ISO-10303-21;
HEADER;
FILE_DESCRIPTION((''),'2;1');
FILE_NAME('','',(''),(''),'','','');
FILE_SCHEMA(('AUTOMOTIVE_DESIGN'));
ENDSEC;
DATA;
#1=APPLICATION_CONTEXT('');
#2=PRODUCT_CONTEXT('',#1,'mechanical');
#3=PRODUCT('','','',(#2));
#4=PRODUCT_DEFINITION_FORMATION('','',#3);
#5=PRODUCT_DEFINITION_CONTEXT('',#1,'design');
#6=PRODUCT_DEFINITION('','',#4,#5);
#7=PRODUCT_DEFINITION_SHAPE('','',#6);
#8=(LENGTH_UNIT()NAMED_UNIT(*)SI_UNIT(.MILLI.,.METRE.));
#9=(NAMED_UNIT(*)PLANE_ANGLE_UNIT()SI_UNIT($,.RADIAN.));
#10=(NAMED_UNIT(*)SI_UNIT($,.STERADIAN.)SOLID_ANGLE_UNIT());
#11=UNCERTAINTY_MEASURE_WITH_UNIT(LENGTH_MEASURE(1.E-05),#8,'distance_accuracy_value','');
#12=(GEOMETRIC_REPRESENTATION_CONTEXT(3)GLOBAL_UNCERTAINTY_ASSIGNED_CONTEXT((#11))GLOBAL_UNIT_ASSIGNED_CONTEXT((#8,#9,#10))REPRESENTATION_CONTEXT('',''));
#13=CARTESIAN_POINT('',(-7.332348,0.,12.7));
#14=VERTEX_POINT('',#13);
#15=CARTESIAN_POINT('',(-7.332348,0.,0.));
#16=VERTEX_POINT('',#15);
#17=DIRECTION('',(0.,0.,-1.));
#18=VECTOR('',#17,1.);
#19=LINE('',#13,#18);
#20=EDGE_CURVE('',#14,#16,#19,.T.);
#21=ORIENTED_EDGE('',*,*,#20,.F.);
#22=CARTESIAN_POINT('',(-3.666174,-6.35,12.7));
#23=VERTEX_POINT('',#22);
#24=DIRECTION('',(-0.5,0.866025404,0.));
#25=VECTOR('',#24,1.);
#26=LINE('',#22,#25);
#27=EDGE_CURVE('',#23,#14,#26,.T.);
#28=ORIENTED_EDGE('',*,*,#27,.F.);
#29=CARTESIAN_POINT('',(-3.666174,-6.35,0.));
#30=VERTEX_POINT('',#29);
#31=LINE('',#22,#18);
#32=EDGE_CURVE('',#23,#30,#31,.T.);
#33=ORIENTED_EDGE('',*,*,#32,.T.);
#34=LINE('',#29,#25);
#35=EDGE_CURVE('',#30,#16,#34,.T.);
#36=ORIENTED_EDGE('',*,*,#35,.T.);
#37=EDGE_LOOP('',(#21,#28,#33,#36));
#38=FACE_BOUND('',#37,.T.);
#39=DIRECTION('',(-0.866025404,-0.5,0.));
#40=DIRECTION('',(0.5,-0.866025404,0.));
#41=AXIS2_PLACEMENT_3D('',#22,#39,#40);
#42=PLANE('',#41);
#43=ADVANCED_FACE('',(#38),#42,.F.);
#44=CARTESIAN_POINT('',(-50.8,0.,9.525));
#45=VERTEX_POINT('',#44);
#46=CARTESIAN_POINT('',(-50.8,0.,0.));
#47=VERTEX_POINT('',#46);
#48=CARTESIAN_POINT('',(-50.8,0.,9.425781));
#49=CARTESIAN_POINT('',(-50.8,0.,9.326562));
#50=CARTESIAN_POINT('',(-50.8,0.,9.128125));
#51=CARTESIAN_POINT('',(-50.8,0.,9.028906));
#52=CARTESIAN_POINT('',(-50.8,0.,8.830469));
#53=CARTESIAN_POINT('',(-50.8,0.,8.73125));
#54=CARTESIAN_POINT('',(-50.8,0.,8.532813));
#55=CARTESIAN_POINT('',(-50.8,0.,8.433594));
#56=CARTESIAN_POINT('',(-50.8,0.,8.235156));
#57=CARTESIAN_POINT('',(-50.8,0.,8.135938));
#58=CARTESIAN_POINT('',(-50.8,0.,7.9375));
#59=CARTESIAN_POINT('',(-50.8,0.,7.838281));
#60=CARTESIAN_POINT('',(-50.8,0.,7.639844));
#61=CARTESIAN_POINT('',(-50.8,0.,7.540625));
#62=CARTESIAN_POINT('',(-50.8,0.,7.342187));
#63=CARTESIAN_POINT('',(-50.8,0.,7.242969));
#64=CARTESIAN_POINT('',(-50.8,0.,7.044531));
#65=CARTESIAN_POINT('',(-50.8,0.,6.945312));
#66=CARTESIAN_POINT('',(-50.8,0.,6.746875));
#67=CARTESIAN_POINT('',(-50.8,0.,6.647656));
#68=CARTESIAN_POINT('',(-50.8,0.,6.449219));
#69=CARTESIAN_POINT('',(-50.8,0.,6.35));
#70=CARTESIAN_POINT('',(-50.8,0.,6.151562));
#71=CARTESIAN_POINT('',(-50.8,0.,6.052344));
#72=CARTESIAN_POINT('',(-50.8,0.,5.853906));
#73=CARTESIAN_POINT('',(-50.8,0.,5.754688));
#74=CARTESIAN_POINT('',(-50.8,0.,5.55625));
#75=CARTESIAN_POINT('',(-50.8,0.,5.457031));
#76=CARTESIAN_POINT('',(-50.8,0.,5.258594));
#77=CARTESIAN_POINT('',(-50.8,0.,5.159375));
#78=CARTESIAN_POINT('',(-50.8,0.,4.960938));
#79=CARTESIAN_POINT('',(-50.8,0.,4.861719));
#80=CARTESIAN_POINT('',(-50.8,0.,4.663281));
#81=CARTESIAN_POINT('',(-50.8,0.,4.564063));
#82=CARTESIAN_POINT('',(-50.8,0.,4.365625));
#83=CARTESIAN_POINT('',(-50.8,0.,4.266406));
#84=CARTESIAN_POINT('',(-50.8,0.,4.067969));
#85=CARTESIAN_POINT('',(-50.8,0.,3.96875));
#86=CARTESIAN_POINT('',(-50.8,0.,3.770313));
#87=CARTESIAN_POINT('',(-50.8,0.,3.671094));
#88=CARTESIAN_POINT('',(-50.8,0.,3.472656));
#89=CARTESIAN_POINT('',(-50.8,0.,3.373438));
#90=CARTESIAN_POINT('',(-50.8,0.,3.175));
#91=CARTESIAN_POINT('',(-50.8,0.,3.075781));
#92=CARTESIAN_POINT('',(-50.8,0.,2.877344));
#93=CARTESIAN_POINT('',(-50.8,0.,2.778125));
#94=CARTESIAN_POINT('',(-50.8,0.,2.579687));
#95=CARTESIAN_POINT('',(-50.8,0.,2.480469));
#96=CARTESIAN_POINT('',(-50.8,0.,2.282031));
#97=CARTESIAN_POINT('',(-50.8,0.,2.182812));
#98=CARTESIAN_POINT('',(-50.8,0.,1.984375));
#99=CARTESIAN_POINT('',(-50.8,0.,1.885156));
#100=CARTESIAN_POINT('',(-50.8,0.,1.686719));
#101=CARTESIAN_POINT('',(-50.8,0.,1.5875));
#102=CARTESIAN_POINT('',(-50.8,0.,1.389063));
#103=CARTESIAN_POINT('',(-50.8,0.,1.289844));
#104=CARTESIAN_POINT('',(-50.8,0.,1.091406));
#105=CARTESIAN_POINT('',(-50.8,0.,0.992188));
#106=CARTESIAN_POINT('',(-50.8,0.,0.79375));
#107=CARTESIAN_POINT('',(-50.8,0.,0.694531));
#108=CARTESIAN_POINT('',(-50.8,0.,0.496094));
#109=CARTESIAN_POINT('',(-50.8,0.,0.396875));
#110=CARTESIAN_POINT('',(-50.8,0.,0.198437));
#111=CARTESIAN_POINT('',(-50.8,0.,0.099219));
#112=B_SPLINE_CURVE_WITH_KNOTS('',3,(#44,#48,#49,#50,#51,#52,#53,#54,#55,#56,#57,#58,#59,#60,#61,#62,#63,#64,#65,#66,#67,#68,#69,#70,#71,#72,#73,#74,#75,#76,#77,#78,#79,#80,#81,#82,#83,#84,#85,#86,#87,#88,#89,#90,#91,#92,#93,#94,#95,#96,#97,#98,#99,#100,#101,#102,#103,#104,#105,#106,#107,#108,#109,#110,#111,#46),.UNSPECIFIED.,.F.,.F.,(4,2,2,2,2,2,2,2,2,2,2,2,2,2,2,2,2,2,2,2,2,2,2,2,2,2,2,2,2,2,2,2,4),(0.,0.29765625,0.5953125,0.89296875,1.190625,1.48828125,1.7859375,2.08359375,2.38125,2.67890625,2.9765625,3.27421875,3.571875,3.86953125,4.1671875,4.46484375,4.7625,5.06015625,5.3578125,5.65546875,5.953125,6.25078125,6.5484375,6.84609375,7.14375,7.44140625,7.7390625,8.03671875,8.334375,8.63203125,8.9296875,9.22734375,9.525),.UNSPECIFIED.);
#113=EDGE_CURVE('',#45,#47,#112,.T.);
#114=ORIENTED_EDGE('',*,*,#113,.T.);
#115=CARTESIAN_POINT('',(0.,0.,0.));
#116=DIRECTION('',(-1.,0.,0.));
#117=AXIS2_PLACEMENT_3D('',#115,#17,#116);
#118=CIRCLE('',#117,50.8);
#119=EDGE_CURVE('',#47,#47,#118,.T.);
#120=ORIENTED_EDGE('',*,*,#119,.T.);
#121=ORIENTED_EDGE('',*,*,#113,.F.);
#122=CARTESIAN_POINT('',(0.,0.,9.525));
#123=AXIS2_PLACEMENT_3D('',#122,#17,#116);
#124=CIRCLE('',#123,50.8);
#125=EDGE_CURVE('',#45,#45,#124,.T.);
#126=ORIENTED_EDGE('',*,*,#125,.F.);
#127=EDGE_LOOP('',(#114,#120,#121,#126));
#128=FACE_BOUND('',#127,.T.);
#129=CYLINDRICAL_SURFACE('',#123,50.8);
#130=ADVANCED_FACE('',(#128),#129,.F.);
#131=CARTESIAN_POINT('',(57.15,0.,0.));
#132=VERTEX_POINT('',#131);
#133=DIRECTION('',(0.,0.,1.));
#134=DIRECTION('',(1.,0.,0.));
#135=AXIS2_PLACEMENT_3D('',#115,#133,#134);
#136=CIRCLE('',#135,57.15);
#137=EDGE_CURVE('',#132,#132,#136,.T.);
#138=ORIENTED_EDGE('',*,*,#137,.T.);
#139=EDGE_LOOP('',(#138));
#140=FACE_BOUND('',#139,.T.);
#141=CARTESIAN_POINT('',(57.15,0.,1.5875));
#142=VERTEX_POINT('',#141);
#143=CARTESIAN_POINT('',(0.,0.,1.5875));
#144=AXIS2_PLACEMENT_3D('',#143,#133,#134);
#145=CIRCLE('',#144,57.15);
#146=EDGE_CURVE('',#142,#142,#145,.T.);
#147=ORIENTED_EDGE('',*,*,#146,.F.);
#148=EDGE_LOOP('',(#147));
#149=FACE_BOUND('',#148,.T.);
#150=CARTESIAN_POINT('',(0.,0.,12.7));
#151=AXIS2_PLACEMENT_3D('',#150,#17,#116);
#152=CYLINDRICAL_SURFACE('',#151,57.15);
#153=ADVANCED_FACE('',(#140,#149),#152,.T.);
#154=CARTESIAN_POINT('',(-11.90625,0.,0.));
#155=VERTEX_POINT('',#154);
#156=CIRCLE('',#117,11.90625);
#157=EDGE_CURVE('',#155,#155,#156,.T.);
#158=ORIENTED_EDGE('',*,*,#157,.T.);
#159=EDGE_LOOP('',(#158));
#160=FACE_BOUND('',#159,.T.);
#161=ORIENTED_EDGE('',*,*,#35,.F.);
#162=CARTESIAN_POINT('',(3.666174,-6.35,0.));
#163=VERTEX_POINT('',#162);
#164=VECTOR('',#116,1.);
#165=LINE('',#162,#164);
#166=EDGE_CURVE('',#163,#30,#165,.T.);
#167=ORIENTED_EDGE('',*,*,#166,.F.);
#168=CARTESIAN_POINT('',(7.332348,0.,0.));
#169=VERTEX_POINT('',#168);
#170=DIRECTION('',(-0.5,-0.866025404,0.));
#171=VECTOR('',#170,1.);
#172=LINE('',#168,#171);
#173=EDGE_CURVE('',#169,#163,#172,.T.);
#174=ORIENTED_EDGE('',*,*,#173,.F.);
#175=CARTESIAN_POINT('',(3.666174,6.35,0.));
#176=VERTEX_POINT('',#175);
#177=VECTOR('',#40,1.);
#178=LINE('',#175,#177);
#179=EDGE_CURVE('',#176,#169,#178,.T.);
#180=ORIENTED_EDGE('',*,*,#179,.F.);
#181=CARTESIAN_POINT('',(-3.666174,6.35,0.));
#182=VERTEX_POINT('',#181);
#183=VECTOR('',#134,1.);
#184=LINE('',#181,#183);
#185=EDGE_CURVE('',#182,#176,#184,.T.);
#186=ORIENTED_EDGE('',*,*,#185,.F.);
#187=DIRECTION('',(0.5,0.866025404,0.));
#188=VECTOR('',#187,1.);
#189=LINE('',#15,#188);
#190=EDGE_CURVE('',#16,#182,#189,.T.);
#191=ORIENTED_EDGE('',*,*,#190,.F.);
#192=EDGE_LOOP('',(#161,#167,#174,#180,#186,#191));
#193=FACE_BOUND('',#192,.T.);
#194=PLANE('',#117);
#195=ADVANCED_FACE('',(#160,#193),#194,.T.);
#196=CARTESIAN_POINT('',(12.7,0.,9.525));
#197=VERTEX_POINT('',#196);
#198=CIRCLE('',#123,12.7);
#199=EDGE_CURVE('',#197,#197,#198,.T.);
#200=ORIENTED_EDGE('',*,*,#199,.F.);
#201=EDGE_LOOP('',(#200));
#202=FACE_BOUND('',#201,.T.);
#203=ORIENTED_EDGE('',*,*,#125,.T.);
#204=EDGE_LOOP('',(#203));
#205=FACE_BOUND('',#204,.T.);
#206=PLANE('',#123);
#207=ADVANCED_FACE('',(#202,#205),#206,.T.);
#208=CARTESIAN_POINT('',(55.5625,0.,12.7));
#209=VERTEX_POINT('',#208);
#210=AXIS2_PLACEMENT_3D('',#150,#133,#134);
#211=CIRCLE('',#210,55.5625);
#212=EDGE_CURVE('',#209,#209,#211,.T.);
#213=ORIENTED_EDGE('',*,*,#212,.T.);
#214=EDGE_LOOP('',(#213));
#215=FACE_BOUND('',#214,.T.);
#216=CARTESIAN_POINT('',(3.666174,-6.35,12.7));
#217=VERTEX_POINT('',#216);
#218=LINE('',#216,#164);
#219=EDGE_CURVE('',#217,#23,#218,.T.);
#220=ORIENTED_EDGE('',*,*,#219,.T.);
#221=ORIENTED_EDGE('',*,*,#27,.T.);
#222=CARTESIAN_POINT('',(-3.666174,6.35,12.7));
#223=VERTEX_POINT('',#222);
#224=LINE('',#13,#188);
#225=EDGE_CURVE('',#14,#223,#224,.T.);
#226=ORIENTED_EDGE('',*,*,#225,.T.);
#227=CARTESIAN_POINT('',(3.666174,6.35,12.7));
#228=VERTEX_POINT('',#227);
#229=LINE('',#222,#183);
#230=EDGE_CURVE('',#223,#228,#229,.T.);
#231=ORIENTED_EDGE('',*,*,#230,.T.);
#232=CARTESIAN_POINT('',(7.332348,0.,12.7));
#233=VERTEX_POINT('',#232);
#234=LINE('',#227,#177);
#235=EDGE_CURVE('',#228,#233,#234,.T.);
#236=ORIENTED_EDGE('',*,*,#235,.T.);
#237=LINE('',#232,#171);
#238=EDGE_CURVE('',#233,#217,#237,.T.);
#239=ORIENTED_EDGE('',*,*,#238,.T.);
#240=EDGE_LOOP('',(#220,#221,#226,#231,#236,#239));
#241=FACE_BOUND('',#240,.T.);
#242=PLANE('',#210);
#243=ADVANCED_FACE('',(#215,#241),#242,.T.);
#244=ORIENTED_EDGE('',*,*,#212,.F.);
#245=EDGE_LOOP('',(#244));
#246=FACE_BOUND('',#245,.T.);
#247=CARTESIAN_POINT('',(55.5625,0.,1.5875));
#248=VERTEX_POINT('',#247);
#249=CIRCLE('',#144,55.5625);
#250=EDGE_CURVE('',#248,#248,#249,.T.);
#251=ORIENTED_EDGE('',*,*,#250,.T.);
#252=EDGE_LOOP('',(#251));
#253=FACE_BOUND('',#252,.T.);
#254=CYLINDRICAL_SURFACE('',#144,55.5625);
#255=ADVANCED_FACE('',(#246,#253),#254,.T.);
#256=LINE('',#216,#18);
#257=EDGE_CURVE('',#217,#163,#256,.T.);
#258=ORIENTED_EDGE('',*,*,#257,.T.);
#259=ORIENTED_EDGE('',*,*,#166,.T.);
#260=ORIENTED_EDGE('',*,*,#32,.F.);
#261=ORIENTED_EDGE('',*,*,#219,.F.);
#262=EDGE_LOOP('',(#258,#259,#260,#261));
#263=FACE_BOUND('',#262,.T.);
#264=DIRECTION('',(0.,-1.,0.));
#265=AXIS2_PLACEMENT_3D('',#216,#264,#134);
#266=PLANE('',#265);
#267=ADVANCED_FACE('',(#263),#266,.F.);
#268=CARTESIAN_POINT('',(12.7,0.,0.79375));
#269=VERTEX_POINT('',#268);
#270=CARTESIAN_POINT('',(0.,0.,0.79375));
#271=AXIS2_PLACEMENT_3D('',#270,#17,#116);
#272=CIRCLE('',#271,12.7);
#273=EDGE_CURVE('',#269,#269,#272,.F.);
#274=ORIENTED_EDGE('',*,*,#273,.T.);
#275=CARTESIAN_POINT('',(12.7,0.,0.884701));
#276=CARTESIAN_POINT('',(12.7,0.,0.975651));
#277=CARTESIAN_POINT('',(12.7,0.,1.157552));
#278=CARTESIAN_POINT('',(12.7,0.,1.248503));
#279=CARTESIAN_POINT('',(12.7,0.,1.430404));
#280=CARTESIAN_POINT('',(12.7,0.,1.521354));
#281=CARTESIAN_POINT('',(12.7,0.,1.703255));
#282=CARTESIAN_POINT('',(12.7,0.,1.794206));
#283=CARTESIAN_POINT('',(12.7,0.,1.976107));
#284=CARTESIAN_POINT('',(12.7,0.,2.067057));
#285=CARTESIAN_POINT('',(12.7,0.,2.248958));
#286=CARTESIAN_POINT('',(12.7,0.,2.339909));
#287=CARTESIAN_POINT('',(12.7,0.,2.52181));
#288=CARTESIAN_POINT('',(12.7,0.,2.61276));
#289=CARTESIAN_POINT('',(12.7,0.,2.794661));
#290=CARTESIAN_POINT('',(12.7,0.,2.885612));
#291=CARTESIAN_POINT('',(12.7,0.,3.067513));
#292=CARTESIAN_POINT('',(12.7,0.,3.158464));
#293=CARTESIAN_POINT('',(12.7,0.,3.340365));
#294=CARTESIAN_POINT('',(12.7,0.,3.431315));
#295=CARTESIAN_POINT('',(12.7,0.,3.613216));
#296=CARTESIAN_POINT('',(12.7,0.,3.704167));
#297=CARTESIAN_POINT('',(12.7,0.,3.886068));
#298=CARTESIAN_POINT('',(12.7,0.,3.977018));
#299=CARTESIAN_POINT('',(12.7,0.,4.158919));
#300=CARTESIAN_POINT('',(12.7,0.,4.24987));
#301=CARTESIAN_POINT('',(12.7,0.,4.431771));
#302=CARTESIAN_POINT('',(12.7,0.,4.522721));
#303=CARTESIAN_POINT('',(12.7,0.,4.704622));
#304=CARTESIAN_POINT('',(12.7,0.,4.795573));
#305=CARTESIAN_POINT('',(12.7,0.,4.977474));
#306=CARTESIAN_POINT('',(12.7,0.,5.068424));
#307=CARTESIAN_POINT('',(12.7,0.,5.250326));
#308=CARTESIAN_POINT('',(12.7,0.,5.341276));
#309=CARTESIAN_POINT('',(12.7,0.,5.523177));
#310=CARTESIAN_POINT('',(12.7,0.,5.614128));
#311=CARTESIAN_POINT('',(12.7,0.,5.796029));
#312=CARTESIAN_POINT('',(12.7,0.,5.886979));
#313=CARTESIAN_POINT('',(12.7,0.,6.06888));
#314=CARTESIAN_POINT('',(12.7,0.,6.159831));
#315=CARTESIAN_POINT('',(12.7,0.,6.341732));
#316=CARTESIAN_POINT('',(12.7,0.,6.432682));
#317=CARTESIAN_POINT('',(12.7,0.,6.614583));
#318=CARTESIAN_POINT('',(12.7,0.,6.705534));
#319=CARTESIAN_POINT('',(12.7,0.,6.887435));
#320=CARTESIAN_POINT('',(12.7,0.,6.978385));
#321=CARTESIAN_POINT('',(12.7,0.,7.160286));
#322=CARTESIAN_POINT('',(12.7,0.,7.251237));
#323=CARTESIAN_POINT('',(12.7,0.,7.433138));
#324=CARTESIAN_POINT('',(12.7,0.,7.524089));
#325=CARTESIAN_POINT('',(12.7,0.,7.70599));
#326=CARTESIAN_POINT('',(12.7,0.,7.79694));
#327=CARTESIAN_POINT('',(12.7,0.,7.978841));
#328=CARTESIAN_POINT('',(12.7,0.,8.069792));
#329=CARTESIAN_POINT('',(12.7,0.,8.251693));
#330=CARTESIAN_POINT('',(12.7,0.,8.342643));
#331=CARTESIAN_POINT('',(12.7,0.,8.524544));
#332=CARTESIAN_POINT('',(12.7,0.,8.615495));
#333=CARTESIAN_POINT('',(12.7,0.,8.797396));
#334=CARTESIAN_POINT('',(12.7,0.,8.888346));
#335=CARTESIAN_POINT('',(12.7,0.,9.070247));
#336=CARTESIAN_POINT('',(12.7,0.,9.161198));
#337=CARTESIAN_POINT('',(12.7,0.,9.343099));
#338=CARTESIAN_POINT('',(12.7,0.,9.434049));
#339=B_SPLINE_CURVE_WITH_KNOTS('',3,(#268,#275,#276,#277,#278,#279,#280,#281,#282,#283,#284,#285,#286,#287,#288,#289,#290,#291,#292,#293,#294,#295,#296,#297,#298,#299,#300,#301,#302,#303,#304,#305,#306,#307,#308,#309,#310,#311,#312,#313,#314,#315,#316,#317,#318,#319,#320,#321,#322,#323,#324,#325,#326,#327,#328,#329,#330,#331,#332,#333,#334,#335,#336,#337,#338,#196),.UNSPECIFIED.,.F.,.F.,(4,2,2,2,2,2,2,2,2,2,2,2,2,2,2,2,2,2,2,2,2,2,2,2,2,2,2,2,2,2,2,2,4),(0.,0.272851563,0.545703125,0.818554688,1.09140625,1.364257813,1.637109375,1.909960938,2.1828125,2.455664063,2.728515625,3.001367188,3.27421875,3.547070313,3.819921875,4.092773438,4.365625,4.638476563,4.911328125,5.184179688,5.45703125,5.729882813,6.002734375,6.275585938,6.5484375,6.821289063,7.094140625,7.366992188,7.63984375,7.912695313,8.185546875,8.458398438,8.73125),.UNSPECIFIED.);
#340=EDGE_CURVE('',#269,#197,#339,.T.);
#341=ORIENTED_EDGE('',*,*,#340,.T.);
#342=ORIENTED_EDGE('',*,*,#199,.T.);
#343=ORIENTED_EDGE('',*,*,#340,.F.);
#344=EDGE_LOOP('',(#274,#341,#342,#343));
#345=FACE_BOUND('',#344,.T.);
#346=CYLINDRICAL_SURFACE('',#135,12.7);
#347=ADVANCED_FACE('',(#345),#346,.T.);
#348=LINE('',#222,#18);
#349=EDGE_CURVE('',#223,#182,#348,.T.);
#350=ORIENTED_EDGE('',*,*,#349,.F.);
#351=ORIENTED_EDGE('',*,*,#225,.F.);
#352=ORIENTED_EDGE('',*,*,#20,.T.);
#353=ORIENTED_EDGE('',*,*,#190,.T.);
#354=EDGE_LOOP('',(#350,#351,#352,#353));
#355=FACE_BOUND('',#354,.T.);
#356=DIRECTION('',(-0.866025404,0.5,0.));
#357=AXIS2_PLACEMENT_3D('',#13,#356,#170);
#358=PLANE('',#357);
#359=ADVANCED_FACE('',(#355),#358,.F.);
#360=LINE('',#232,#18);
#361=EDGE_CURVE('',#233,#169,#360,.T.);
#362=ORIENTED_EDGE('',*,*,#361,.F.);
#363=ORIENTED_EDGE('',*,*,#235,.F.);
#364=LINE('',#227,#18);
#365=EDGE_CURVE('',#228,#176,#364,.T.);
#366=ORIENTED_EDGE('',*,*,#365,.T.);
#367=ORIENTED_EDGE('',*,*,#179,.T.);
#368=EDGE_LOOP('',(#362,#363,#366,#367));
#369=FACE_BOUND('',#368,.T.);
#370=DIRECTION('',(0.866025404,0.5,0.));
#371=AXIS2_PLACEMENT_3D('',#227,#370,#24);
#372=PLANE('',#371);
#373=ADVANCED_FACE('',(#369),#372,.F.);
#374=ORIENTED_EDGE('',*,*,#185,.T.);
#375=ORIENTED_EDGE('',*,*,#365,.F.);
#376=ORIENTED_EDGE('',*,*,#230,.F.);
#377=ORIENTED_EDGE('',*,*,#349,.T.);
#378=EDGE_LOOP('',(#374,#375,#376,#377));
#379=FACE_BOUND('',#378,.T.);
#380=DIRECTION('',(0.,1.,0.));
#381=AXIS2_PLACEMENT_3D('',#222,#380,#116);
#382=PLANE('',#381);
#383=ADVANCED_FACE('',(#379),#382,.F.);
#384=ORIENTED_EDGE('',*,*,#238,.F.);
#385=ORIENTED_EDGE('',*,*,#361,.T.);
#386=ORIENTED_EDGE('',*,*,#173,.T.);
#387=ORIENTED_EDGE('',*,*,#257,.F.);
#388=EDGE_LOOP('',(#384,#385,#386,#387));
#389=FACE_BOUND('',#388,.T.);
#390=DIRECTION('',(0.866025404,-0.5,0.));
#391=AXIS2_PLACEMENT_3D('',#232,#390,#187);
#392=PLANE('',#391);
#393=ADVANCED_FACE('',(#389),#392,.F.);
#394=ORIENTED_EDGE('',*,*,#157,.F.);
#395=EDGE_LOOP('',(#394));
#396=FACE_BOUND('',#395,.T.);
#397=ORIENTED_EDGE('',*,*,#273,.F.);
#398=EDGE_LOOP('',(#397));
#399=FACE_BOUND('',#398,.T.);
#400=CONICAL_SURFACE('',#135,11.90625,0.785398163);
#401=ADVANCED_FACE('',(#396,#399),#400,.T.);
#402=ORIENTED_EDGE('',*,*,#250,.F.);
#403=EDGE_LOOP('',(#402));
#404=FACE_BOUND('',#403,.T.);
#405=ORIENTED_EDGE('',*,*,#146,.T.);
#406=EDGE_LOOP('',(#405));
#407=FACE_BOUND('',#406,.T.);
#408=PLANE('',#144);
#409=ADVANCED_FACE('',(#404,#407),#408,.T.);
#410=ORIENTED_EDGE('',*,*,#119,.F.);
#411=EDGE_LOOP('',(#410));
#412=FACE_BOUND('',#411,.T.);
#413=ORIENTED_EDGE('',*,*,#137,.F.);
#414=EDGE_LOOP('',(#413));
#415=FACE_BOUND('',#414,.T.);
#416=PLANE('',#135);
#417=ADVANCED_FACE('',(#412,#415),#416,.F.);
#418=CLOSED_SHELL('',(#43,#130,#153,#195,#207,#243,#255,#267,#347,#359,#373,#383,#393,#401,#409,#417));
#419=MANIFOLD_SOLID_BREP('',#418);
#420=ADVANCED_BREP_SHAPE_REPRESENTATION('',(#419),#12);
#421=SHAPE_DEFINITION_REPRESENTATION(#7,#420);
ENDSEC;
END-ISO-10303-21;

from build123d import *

# Parameters (mm, degrees)
SKETCH1_R           = 57.15
BOSS_EXTRUDE1_DEPTH = 12.7
CUT_EXTRUDE1_START  = -11.1125
SKETCH2_R           = 57.15
SKETCH2_R_2         = 55.5625
CUT_EXTRUDE1_DEPTH  = 11.1125
SKETCH3_R           = 50.8
CUT_EXTRUDE2_DEPTH  = 9.525
SKETCH4_R           = 12.7
BOSS_EXTRUDE2_DEPTH = 9.525
CUT_EXTRUDE4_DEPTH  = 12.7
CHAMFER1_SIZE       = 0.79375


with BuildPart() as part:
    # Sketch1 → Boss-Extrude1 (new body)
    with BuildSketch(Plane.XY):
        Circle(SKETCH1_R)
    extrude(amount=BOSS_EXTRUDE1_DEPTH)

    # Sketch2 → Cut-Extrude1 (cut)
    with BuildSketch(Plane.XY.offset(12.7).offset(CUT_EXTRUDE1_START)):
        Circle(SKETCH2_R)
        Circle(SKETCH2_R_2, mode=Mode.SUBTRACT)
    extrude(amount=CUT_EXTRUDE1_DEPTH, mode=Mode.SUBTRACT)

    # Sketch3 → Cut-Extrude2 (cut)
    with BuildSketch(Plane(origin=(0, 0, 0), x_dir=(-1, 0, 0), z_dir=(0, 0, -1))):
        Circle(SKETCH3_R)
    extrude(amount=-CUT_EXTRUDE2_DEPTH, mode=Mode.SUBTRACT)

    # Sketch4 → Boss-Extrude2 (add)
    with BuildSketch(Plane(origin=(0, 0, 9.525), x_dir=(-1, 0, 0), z_dir=(0, 0, -1))):
        with Locations(Location((0, 0, 0), (0, 0, 180))):
            Circle(SKETCH4_R)
    extrude(amount=BOSS_EXTRUDE2_DEPTH)

    # Sketch6 → Cut-Extrude4 (cut)
    with BuildSketch(Plane(origin=(0, 0, 0), x_dir=(-1, 0, 0), z_dir=(0, 0, -1))):
        Polygon((7.332348419, 0), (3.666174209, 6.35), (-3.666174209, 6.35), (-7.332348419, 0), (-3.666174209, -6.35), (3.666174209, -6.35), align=None)
    extrude(amount=-CUT_EXTRUDE4_DEPTH, mode=Mode.SUBTRACT)

    # Chamfer1
    chamfer1_edges = [part.edges().sort_by_distance(p)[0] for p in [
        (-12.7, 0, 0),
    ]]
    chamfer(chamfer1_edges, length=CHAMFER1_SIZE)


solid = part.part
